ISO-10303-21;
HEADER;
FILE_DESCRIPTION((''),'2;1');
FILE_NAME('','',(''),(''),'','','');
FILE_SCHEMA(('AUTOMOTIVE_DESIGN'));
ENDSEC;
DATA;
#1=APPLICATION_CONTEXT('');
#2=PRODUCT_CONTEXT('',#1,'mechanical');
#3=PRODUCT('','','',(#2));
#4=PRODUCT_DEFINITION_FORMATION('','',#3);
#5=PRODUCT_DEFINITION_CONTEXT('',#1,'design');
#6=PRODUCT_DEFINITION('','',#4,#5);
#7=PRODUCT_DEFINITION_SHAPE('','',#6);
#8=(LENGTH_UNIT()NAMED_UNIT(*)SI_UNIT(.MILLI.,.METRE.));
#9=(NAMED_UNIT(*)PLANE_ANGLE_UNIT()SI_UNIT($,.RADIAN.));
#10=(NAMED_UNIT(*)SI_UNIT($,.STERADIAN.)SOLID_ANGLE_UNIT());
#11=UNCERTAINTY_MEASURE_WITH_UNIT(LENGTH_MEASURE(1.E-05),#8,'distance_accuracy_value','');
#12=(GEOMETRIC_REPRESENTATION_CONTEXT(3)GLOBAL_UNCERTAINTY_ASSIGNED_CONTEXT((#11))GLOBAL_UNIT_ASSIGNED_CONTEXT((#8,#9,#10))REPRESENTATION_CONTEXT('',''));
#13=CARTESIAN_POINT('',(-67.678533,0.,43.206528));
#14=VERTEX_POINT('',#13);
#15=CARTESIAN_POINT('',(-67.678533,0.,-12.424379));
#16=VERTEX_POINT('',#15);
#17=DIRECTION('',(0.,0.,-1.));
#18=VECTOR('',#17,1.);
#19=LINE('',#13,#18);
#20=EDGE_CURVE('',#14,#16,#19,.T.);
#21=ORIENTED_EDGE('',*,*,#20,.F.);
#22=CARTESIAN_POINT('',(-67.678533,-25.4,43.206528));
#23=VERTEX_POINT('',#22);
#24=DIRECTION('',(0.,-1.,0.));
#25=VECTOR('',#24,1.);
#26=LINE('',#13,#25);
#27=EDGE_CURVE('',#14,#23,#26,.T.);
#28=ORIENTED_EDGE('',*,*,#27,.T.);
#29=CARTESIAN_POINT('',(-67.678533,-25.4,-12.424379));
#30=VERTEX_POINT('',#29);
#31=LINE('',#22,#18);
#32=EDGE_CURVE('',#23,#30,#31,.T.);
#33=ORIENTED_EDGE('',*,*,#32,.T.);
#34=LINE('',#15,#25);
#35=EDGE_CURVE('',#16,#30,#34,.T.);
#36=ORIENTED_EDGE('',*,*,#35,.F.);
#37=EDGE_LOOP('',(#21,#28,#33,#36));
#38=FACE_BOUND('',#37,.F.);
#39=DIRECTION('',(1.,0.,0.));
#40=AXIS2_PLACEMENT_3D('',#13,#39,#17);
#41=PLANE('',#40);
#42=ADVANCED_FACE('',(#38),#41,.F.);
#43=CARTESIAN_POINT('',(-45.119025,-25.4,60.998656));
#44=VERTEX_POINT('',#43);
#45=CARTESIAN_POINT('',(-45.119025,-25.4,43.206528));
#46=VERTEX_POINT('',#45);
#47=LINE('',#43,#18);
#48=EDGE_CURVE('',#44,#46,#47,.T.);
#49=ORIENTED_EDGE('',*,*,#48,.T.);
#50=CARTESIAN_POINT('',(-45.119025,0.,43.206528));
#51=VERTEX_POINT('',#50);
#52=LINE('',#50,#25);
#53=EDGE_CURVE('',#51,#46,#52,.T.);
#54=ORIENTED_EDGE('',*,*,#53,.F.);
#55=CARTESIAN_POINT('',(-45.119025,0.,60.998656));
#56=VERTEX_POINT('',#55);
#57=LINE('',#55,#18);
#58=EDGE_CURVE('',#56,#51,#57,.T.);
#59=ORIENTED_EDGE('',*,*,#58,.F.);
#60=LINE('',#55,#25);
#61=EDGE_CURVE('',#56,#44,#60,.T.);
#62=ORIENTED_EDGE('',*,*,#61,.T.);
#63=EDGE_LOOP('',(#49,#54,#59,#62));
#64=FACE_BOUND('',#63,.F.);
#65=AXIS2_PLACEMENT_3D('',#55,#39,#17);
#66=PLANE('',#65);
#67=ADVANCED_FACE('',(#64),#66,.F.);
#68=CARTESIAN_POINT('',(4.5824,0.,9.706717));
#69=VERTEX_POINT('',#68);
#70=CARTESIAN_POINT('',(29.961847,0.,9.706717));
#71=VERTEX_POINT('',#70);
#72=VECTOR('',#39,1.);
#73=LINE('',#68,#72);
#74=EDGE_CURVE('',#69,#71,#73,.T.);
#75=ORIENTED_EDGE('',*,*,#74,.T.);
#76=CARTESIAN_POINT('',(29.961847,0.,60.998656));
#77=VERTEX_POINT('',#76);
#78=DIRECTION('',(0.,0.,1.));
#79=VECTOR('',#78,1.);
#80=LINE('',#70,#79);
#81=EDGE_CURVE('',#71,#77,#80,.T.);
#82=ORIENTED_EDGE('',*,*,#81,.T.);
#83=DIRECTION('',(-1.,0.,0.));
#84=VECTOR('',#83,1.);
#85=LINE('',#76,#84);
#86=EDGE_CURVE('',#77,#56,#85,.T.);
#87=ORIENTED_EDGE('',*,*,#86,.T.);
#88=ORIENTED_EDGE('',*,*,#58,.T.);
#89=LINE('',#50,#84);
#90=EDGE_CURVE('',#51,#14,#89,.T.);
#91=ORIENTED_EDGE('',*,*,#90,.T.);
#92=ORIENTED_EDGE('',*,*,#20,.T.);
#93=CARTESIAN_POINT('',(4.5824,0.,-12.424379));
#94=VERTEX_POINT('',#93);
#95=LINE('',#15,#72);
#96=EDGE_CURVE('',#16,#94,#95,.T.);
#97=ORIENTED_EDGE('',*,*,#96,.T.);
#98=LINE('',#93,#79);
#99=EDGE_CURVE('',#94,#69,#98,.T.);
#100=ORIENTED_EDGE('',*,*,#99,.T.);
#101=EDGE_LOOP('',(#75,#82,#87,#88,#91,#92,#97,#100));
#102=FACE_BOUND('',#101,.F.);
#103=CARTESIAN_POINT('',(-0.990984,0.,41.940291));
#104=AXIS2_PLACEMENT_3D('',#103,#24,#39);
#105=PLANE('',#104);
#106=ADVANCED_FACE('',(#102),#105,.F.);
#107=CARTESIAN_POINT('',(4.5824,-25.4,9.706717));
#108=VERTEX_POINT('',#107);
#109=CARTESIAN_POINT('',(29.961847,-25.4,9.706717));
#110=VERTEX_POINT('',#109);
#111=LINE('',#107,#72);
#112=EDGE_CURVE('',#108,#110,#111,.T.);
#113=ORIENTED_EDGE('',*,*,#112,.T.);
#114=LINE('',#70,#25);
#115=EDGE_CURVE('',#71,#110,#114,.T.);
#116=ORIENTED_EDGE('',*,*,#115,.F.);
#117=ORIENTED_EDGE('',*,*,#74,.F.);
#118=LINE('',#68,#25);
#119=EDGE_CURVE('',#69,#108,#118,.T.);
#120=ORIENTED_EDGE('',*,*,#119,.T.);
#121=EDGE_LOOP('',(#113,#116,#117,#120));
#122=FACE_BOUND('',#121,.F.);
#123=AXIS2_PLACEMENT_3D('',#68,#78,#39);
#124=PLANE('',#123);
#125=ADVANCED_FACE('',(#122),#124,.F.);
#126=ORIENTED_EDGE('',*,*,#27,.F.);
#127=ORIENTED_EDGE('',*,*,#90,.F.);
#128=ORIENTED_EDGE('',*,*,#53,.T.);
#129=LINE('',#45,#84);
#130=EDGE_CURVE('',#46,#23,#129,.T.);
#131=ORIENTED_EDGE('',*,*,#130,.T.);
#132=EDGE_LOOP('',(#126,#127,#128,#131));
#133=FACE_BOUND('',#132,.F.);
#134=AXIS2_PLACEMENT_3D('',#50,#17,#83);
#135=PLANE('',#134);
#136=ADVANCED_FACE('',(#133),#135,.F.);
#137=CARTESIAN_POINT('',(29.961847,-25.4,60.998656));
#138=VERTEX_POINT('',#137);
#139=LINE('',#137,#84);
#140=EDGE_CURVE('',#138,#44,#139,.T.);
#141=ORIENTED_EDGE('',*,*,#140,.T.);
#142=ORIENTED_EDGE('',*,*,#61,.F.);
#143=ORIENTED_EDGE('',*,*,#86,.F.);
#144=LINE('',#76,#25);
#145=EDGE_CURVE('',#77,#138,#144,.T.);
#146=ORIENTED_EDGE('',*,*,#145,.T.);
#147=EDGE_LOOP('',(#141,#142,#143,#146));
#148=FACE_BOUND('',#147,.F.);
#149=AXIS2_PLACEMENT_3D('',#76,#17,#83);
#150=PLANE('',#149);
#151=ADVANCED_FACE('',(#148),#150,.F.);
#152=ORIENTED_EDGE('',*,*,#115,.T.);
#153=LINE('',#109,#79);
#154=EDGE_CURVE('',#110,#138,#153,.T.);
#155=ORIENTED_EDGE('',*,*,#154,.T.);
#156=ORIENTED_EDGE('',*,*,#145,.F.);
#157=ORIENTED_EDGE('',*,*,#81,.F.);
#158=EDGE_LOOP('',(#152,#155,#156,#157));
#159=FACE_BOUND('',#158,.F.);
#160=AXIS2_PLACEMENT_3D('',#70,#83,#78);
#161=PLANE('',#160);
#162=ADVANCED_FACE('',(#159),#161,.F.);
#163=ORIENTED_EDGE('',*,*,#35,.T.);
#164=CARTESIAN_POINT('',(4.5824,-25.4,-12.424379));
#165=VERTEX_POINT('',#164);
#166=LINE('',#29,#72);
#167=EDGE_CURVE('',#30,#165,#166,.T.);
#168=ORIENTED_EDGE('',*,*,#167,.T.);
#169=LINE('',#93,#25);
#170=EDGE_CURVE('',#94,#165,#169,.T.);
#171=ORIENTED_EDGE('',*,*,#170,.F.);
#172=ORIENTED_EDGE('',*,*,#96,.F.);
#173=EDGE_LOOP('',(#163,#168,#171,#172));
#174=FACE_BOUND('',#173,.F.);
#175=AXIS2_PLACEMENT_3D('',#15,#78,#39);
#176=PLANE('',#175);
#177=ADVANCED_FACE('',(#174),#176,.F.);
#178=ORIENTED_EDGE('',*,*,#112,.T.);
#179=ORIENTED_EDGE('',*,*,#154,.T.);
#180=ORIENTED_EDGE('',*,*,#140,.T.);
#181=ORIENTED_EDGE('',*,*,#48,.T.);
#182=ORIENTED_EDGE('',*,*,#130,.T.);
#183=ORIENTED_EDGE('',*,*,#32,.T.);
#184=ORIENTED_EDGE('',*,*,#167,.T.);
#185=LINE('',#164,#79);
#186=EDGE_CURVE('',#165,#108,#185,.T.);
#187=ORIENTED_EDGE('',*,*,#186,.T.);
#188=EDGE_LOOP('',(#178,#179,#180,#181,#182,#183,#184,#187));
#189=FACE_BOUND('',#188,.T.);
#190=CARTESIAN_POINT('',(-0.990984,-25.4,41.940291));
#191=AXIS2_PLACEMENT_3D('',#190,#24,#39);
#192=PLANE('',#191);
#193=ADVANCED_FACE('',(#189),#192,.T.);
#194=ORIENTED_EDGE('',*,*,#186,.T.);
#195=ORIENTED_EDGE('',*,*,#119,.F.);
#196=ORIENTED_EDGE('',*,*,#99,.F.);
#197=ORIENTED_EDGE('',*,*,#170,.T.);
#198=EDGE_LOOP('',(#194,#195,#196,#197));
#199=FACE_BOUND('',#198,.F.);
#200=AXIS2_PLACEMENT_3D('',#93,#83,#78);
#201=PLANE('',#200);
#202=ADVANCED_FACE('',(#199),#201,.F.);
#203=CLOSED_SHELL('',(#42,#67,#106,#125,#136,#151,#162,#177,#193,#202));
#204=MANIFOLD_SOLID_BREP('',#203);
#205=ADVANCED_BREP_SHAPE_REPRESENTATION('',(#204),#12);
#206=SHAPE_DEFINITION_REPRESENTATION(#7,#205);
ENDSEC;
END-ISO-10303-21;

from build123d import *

# Parameters (mm, degrees)
F0_W     = 49.7014243156
F0_H     = 33.4998108447
F1_DEPTH = 25.4


with BuildPart() as f1:
    # F0 (on Front) → F1 (new body)
    with BuildSketch(Plane.XZ):
        Polygon((-45.1190248132, 60.9986558557), (-45.1190248132, 43.2065278292), (4.5823995024, 43.2065278292), (4.5823995024, 9.7067169845), (29.9618467689, 9.7067169845), (29.9618467689, 60.9986558557), align=None)
        Polygon((-45.1190248132, 43.2065278292), (-67.6785334945, 43.2065278292), (-67.6785334945, -12.4243786559), (4.5823995024, -12.4243786559), (4.5823995024, 9.7067169845), (-45.1190248132, 9.7067169845), align=None)
        with Locations((-20.2683126554, 26.4566224068)):
            Rectangle(F0_W, F0_H)
    extrude(amount=F1_DEPTH)


solid = f1.part
